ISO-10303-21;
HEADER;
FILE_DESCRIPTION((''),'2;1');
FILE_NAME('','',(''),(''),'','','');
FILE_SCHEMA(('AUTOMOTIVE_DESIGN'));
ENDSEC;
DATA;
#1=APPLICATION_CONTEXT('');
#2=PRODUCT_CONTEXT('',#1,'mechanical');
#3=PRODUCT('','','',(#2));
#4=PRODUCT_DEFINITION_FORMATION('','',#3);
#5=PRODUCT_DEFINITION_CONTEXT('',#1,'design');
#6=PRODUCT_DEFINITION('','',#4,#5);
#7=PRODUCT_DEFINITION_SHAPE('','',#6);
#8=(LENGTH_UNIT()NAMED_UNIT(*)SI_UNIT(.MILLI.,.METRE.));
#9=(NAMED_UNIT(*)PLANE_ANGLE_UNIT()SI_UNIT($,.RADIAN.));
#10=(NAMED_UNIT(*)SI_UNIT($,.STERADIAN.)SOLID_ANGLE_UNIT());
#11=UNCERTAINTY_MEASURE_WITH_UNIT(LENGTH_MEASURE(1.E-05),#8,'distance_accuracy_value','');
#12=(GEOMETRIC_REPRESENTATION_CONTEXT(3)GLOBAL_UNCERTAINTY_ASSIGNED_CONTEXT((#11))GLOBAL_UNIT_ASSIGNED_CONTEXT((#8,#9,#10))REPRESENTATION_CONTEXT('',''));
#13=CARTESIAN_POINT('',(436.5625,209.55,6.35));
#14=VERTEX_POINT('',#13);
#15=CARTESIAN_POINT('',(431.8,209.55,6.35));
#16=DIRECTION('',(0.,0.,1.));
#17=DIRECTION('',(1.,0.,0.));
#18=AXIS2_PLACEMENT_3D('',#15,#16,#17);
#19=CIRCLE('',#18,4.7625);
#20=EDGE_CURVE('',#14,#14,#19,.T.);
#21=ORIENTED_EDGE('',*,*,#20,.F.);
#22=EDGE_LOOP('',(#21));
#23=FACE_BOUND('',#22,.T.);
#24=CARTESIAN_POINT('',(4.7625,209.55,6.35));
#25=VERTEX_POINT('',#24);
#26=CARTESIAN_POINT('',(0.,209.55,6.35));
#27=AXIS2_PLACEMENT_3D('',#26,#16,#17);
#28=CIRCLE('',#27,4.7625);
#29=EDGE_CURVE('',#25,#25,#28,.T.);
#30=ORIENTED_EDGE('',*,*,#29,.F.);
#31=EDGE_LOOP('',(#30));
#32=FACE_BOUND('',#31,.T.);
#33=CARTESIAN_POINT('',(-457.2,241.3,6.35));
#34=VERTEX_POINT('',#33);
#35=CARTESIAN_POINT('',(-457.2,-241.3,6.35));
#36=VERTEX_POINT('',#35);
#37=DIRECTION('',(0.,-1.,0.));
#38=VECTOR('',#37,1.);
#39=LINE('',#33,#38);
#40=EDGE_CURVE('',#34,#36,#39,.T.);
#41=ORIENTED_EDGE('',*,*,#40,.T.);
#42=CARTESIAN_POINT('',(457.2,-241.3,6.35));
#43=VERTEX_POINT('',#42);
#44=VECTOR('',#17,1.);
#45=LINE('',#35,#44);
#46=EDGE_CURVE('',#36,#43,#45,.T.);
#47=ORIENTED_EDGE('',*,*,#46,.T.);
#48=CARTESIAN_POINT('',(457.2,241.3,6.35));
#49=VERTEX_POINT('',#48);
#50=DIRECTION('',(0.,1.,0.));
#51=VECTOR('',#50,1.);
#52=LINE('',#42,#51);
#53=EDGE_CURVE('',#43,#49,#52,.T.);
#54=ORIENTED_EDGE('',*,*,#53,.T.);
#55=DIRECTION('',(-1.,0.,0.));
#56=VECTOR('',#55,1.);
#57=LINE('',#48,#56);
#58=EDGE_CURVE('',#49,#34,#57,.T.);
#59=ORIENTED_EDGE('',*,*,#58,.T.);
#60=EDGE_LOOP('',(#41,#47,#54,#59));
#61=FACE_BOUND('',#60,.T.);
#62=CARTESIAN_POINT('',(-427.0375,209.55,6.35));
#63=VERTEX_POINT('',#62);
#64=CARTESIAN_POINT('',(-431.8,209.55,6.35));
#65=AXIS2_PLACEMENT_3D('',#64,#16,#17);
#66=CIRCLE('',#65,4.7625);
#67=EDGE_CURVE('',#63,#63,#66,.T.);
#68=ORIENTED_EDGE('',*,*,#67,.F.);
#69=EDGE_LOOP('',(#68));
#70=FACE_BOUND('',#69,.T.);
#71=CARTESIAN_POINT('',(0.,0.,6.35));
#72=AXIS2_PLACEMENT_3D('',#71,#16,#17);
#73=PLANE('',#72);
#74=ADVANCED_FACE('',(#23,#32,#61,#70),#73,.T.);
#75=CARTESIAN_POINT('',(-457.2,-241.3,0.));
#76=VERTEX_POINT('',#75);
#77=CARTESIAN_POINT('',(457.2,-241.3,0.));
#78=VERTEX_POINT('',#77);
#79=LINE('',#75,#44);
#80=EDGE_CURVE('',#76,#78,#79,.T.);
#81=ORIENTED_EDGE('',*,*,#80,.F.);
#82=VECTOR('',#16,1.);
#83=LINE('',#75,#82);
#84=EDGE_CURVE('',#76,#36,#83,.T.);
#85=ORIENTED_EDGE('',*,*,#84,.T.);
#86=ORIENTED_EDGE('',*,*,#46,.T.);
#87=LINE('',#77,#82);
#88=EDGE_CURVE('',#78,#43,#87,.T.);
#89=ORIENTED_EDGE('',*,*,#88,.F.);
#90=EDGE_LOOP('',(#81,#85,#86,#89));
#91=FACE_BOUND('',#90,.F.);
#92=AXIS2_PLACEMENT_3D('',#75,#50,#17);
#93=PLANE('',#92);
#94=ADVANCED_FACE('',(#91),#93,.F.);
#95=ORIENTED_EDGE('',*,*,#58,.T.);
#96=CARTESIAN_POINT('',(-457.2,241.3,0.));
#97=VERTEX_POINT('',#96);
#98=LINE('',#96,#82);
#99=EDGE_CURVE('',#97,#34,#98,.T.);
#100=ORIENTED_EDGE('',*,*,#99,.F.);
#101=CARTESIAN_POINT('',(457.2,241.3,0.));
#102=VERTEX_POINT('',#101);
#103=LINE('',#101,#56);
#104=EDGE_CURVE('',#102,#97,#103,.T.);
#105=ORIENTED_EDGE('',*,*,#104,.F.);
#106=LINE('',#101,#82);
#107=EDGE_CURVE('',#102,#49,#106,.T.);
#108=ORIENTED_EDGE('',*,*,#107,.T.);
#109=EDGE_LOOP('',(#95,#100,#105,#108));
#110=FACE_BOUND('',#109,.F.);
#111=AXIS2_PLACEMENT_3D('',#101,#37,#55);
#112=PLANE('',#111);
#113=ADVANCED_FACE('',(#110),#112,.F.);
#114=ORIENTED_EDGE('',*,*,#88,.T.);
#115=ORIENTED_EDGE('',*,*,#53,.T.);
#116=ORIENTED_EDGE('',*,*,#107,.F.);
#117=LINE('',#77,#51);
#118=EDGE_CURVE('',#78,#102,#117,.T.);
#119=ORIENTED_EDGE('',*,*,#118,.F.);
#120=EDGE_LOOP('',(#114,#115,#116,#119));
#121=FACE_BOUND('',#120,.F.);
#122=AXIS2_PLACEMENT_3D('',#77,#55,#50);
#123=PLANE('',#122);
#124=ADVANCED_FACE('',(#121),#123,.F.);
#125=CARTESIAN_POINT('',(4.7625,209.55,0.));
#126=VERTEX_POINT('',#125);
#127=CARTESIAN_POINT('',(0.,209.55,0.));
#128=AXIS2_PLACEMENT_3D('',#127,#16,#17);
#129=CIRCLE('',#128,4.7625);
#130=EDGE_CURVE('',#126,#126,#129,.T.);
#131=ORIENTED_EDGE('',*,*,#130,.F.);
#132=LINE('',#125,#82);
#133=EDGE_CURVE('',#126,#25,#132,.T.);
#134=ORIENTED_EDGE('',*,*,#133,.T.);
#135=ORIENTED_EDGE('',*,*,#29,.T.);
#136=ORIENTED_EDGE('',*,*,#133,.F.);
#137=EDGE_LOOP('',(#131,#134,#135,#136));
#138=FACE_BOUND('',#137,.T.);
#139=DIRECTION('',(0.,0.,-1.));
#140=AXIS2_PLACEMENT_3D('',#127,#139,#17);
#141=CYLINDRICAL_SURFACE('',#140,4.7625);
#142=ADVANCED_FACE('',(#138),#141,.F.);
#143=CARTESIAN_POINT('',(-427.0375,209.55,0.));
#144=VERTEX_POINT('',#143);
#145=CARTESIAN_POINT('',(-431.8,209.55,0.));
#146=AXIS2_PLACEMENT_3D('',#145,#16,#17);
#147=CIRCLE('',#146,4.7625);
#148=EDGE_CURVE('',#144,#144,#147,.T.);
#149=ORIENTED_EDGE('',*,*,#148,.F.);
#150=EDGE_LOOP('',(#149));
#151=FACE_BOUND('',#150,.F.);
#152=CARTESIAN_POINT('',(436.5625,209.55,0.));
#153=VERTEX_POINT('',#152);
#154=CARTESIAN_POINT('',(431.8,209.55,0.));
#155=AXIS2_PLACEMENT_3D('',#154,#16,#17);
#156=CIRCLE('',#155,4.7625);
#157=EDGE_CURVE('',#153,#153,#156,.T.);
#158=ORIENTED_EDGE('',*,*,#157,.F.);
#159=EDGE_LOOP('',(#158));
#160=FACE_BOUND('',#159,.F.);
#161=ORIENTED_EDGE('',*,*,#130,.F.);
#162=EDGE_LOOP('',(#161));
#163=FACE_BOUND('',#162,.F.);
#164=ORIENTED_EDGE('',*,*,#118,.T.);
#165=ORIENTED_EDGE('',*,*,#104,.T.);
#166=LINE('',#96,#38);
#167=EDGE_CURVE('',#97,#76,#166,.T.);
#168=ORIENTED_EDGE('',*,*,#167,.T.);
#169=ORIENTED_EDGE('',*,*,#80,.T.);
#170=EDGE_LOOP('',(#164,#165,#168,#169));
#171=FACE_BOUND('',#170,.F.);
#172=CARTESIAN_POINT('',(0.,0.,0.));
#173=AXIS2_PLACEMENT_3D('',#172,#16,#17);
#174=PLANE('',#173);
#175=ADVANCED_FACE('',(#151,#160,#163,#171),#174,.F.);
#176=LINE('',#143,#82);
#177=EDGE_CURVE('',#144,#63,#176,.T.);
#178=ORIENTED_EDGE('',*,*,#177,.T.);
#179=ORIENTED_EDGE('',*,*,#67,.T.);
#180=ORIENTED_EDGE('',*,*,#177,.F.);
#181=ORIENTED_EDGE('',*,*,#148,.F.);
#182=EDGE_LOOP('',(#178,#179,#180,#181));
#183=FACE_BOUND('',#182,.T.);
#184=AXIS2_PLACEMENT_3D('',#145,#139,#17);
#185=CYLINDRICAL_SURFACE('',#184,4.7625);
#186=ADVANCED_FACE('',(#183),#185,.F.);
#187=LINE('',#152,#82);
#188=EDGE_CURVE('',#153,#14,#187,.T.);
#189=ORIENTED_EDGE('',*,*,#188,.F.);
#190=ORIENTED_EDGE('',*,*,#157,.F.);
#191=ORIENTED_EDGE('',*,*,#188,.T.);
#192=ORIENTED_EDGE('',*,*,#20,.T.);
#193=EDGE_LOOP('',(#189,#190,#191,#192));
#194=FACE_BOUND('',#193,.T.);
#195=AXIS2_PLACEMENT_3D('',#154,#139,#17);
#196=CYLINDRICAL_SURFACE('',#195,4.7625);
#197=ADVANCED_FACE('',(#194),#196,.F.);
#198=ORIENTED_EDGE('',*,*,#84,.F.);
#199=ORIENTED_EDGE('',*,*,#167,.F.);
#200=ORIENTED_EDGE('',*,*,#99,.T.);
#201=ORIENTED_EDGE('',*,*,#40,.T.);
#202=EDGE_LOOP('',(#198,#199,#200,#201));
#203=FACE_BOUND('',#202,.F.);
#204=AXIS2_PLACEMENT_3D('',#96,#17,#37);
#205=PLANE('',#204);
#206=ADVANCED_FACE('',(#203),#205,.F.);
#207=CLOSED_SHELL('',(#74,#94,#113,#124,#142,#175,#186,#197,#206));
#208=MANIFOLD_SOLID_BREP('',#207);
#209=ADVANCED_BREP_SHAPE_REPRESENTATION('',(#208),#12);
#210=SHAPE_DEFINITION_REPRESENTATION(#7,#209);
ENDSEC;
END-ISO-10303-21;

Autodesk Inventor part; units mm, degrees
ref_plane "YZ Plane" through (0, 0, 0) normal (1, 0, 0) x (0, 1, 0)
ref_plane "XZ Plane" through (0, 0, 0) normal (0, 1, 0) x (-1, 0, 0)
ref_plane "XY Plane" through (0, 0, 0) normal (0, 0, 1) x (1, 0, 0)
sketch "Sketch1" plane through (0, 0, 0) normal (0, 0, 1) x (1, 0, 0)
  line L0 (-457.2, -241.3) -> (457.2, -241.3)
  line L1 (457.2, -241.3) -> (457.2, 241.3)
  line L2 (457.2, 241.3) -> (-457.2, 241.3)
  line L3 (-457.2, 241.3) -> (-457.2, -241.3)
  line L4 (-457.2, -241.3) -> (457.2, 241.3) construction
  line L5 (457.2, -241.3) -> (-457.2, 241.3) construction
  circle A0 centre (-431.8, 209.55) radius 4.7625
  circle A1 centre (0, 209.55) radius 4.7625
  circle A2 centre (431.8, 209.55) radius 4.7625
  point P0 (0, 0)
  point P1 (0, 0)
  dimension "d0" = 914.4
  dimension "d1" = 482.6
  dimension "d2" = 9.525
  dimension "d3" = 31.75
  dimension "d6" = 431.8
extrude "Extrusion1" add sketch "Sketch1" along normal blind 6.35
properties part number "FE-100-003 End Panel" material "Polycarbonate, Clear"
